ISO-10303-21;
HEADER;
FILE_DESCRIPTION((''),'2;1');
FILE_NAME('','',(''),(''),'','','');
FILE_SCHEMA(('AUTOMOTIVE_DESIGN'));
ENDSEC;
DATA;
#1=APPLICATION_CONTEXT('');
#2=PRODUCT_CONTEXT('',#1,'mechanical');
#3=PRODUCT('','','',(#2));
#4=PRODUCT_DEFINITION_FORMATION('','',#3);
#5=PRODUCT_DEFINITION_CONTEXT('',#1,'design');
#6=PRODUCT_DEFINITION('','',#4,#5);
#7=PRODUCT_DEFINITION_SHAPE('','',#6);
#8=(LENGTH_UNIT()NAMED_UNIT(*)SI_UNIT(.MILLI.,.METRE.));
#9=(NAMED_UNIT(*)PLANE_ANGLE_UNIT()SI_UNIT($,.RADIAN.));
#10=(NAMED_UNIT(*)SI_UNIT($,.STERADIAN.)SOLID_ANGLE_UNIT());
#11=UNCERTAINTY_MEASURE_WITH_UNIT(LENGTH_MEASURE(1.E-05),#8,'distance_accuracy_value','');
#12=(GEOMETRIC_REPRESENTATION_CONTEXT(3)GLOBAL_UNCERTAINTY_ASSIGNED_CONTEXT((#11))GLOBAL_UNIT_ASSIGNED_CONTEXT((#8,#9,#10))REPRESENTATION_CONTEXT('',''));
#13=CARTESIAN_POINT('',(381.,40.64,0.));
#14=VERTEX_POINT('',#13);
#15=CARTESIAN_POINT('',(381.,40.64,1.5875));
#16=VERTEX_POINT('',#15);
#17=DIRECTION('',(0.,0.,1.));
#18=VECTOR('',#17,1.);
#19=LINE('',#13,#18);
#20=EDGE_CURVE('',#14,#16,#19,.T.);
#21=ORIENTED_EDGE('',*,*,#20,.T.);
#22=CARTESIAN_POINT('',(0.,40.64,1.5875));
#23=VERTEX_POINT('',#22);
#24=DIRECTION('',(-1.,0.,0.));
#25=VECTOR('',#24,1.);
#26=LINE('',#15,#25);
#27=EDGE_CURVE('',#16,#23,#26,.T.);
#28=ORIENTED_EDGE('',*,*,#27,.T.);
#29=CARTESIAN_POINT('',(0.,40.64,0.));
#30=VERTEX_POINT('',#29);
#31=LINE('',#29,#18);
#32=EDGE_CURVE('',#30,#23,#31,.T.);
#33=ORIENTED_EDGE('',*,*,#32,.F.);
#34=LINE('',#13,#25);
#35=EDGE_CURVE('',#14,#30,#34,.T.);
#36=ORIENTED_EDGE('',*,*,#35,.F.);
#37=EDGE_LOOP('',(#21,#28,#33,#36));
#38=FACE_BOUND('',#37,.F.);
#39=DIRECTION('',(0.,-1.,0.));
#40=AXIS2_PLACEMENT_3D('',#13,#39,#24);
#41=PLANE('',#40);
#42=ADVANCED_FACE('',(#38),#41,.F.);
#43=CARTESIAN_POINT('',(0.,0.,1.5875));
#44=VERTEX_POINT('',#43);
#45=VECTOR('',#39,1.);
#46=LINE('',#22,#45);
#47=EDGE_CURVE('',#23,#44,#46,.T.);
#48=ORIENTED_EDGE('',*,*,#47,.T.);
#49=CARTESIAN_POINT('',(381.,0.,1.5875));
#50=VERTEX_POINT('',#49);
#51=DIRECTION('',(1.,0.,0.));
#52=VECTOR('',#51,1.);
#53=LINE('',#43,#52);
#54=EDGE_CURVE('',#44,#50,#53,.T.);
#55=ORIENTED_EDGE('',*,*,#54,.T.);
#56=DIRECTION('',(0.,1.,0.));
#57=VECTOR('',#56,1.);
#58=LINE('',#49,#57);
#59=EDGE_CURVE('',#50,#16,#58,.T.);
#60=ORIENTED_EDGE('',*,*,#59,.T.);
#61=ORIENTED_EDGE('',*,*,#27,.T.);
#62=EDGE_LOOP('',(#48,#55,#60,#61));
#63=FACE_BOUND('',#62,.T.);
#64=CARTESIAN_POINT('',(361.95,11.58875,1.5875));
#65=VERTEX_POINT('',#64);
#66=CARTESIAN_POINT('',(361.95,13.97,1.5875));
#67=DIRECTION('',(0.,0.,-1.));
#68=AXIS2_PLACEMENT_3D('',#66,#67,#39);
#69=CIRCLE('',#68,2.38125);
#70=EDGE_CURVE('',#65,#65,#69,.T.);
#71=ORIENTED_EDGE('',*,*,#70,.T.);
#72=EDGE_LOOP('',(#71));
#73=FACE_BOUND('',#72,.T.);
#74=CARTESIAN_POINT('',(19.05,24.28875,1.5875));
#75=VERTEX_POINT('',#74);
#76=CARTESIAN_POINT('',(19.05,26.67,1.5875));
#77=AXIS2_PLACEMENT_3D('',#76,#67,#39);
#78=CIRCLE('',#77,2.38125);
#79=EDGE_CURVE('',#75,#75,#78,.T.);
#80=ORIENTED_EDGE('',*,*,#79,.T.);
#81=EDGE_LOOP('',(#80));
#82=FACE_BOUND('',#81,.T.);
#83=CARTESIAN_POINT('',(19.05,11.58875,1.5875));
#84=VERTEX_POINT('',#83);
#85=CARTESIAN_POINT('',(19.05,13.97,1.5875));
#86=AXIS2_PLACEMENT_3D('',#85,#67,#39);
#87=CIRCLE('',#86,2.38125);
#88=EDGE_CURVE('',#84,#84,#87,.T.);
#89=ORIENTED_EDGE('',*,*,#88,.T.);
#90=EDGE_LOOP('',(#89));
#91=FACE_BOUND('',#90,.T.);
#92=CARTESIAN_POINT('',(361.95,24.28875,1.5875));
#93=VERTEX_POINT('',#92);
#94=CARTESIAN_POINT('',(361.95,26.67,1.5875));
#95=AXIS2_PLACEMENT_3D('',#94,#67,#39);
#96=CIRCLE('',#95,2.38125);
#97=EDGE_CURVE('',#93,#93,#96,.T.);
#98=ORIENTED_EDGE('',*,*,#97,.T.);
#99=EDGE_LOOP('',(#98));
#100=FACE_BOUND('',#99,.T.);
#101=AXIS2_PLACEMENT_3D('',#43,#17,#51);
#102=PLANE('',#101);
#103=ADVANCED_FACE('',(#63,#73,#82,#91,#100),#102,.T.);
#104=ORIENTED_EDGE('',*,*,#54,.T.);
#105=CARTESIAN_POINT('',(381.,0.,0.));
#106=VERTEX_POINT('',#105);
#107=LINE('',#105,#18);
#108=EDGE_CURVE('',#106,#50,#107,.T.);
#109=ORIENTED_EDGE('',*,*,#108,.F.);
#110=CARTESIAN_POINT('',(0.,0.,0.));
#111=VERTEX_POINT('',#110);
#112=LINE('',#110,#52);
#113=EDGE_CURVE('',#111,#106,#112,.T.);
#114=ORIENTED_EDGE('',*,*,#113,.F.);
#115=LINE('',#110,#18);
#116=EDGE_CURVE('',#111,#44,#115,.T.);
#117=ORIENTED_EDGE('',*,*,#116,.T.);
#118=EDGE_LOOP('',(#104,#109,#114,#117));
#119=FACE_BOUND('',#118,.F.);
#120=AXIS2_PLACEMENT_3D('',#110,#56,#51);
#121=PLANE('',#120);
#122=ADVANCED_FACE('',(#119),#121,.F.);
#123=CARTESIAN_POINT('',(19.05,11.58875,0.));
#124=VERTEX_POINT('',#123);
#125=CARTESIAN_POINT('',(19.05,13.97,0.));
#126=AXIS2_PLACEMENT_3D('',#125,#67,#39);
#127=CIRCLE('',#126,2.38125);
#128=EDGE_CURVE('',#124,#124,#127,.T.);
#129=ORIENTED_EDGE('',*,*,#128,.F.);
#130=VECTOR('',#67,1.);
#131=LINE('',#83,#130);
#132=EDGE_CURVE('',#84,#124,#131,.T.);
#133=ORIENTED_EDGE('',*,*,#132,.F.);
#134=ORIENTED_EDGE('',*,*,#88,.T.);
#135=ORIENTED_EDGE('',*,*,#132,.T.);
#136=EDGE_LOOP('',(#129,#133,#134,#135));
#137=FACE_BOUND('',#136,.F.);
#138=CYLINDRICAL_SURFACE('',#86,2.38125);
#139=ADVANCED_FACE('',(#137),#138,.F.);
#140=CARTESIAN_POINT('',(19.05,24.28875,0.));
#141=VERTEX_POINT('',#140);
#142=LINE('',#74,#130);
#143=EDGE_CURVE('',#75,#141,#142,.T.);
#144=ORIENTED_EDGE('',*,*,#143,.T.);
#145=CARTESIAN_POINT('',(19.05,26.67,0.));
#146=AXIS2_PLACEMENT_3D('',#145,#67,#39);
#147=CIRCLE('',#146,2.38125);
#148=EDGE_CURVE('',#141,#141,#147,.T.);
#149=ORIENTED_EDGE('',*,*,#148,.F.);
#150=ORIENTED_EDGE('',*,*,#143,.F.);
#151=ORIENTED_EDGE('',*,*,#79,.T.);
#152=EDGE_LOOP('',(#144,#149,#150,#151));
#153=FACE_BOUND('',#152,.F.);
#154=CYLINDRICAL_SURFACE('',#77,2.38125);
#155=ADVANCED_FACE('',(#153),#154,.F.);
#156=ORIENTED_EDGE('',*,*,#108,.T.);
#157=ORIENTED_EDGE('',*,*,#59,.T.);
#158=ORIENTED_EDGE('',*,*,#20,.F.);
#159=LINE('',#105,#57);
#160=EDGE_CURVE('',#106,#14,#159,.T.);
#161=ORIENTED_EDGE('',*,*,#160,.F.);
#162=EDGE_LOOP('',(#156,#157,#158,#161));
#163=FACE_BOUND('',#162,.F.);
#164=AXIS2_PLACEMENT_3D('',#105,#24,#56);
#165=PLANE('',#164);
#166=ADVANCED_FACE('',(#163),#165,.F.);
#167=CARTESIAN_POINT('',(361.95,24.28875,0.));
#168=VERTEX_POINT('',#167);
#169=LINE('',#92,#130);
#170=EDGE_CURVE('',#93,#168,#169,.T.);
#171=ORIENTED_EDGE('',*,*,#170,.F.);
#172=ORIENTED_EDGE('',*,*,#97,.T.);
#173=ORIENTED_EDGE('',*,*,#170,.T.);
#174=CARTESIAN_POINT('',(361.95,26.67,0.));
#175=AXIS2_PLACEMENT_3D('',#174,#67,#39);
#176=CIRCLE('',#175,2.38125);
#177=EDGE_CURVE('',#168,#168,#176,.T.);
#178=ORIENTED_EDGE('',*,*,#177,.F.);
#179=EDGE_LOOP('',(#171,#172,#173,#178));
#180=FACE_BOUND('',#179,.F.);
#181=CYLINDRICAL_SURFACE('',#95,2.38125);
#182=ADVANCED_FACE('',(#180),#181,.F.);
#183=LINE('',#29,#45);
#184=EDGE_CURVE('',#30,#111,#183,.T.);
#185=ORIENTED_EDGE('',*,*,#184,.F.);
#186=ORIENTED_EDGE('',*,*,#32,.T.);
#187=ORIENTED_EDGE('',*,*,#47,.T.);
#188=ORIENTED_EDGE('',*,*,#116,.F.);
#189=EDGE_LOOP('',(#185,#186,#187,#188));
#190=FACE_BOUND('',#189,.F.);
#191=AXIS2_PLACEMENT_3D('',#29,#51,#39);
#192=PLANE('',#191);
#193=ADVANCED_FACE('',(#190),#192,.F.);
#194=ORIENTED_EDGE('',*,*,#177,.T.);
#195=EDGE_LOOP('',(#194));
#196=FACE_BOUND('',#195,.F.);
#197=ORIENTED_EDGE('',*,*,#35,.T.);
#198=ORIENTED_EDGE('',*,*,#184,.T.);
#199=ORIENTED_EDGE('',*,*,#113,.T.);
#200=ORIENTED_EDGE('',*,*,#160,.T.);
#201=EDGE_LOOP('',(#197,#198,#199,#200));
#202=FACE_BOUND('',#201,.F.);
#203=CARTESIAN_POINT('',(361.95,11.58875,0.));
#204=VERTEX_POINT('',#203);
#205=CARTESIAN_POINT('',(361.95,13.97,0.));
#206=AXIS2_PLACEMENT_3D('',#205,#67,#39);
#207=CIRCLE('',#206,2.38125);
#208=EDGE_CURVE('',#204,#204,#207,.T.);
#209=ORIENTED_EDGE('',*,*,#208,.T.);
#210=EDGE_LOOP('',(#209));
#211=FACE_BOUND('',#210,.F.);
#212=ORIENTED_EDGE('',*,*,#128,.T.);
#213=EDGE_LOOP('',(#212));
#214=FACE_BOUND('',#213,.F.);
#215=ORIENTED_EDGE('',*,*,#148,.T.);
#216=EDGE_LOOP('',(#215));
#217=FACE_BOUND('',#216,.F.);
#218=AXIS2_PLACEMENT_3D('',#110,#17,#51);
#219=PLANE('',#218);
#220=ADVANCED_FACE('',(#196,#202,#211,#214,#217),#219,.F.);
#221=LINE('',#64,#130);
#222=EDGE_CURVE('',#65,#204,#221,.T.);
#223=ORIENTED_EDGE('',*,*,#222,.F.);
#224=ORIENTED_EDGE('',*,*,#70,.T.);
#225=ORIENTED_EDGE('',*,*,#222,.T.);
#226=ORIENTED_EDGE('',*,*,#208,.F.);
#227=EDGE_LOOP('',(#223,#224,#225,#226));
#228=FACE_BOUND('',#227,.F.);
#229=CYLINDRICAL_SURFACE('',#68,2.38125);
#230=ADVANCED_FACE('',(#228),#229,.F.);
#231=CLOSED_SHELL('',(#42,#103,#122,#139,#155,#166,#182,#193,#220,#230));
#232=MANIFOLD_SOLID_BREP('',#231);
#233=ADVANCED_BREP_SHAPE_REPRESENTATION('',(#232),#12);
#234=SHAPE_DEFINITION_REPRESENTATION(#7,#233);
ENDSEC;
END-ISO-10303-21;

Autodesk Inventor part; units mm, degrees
ref_plane "YZ Plane" through (0, 0, 0) normal (1, 0, 0) x (0, 1, 0)
ref_plane "XZ Plane" through (0, 0, 0) normal (0, 1, 0) x (-1, 0, 0)
ref_plane "XY Plane" through (0, 0, 0) normal (0, 0, 1) x (1, 0, 0)
sketch "Sketch1" plane through (0, 0, 0) normal (0, 0, 1) x (1, 0, 0)
  line L0 (0, 0) -> (381, 0)
  line L1 (381, 0) -> (381, 40.64)
  line L2 (381, 40.64) -> (0, 40.64)
  line L3 (0, 40.64) -> (0, 0)
  dimension "d0" = 381
  dimension "d1" = 40.64
extrude "Extrusion1" add sketch "Sketch1" along normal blind 1.5875
sketch "Sketch2" plane through (0, 0, 1.5875) normal (0, 0, 1) x (1, 0, 0)
  line L0 (0, 40.64) -> (0, 0) projected
  line L1 (0, 0) -> (40.64, 40.64)
  line L2 (381, 40.64) -> (0, 40.64) projected
  line L3 (0, 0) -> (57.4736, 0) construction
  line L4 (40.64, 40.64) -> (0, 40.64)
  line L5 (0, 40.64) -> (20.32, 20.32)
  line L6 (0, 20.32) -> (19.05, 20.32)
  line L7 (19.05, 20.32) -> (19.05, 26.67)
  line L8 (19.05, 26.67) -> (19.05, 13.97)
  line L9 (381, 0) -> (381, 40.64) projected
  line L10 (381, 0) -> (340.36, 40.64)
  line L11 (381, 0) -> (438.4736, 0) construction
  line L12 (340.36, 40.64) -> (381, 40.64)
  line L13 (381, 40.64) -> (360.68, 20.32)
  line L14 (381, 20.32) -> (361.95, 20.32)
  line L15 (361.95, 20.32) -> (361.95, 26.67)
  line L16 (361.95, 26.67) -> (361.95, 13.97)
  dimension "d4" = 45
  dimension "d5" = 45
  dimension "d6" = 19.05
  dimension "d7" = 6.35
  dimension "d8" = 12.7
  dimension "d9" = 135
  dimension "d10" = 19.05
  dimension "d11" = 6.35
  dimension "d12" = 12.7
  dimension "d13" = 0
hole "Hole1" at (19.05, 13.97, 1.5875) at (19.05, 26.67, 1.5875) at (361.95, 26.67, 1.5875) at (361.95, 13.97, 1.5875) direction (0, 0, -1) diameter 4.7625 end through all
properties part number "skirtback"
